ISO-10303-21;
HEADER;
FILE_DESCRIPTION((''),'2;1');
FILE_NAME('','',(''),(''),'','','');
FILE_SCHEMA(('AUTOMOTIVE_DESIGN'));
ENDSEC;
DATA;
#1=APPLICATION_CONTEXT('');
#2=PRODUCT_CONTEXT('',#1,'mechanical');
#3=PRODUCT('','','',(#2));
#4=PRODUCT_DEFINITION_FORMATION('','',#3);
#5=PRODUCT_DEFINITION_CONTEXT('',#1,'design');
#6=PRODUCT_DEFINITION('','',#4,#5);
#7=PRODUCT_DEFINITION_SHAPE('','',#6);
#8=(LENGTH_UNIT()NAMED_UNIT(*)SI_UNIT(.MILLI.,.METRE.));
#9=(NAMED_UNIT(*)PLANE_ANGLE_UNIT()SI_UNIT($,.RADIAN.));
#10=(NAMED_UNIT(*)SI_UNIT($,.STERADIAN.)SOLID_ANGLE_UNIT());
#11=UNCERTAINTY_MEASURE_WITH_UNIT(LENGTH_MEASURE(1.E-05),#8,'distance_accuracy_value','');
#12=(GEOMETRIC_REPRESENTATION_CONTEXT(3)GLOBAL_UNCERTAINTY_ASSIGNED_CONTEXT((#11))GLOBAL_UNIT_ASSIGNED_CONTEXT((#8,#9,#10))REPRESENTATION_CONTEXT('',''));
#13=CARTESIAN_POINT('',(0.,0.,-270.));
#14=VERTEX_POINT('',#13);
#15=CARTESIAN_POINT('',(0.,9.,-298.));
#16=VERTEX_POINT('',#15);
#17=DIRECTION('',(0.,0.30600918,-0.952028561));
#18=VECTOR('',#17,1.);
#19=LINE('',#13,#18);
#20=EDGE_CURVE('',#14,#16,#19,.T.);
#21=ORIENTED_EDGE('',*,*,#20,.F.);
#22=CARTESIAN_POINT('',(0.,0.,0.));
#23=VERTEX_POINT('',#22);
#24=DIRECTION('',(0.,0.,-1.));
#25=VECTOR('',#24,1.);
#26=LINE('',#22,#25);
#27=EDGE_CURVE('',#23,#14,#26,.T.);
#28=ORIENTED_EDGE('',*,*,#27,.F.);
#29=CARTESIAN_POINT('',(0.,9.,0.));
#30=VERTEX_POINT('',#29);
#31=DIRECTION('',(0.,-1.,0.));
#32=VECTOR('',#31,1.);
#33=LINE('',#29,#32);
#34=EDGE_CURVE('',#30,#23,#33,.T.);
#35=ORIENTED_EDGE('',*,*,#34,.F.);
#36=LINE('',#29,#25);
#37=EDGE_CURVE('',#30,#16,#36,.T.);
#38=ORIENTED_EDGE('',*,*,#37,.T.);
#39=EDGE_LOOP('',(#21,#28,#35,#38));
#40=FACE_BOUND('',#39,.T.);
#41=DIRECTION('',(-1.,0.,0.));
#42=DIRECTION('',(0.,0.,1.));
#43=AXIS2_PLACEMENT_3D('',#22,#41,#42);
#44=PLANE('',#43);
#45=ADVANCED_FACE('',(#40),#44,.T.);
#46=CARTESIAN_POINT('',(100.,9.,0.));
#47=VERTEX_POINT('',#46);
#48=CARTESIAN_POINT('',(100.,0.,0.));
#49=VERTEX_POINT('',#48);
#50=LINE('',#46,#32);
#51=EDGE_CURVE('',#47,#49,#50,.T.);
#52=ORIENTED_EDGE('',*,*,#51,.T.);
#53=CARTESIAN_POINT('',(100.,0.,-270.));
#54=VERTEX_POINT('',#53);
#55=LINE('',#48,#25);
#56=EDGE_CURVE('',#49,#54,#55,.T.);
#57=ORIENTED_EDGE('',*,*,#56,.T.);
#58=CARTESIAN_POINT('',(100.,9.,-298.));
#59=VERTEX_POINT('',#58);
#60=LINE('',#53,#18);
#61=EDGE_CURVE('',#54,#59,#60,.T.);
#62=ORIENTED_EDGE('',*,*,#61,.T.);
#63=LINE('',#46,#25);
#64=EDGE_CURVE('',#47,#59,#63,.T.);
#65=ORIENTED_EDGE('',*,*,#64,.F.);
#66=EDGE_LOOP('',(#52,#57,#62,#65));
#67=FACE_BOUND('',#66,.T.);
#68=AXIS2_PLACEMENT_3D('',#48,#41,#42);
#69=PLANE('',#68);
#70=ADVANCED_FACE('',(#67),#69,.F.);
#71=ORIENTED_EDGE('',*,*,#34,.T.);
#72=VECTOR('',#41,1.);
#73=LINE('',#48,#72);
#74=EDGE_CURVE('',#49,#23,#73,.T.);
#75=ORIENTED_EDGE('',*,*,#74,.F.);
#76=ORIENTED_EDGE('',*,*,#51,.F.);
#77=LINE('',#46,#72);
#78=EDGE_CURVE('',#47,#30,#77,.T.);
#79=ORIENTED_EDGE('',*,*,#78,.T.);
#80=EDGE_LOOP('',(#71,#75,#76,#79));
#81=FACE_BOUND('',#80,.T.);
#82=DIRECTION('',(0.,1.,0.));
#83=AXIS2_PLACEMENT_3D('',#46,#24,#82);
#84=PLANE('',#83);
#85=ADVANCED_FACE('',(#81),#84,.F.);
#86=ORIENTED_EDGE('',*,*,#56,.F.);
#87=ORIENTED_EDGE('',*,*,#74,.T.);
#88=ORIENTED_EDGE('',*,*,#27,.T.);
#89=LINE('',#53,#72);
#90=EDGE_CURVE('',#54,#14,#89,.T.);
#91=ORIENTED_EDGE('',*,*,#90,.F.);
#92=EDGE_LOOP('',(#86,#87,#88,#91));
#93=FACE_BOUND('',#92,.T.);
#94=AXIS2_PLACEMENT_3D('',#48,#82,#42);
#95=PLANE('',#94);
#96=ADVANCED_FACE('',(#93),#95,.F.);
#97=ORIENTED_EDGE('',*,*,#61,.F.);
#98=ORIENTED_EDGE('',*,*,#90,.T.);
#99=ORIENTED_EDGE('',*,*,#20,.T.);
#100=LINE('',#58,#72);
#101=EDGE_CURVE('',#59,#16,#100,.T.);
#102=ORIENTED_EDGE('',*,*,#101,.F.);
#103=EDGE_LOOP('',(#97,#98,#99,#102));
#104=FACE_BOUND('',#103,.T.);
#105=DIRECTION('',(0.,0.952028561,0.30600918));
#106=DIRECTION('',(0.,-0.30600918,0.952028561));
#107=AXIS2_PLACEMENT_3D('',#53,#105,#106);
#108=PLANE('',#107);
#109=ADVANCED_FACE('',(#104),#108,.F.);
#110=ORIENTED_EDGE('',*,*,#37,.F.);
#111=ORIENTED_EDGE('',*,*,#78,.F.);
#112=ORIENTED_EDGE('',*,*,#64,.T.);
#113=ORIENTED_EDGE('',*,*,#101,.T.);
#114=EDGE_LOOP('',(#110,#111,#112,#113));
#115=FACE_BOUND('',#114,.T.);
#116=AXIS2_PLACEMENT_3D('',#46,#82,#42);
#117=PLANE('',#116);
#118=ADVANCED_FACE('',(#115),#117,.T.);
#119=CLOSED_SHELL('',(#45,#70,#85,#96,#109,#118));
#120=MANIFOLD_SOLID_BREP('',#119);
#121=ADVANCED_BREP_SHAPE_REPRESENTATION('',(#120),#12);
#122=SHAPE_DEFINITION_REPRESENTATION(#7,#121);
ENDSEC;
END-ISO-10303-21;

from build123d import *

# Parameters (mm, degrees)
BOSS_EXTRUDE1_DEPTH = 100


with BuildPart() as part:
    # Sketch1 → Boss-Extrude1 (new body)
    with BuildSketch(Plane(origin=(0, 0, 0), x_dir=(0, 0, -1), z_dir=(1, 0, 0))):
        Polygon((0, 9), (0, 0), (270, 0), (298, 9), align=None)
    extrude(amount=BOSS_EXTRUDE1_DEPTH)


solid = part.part
